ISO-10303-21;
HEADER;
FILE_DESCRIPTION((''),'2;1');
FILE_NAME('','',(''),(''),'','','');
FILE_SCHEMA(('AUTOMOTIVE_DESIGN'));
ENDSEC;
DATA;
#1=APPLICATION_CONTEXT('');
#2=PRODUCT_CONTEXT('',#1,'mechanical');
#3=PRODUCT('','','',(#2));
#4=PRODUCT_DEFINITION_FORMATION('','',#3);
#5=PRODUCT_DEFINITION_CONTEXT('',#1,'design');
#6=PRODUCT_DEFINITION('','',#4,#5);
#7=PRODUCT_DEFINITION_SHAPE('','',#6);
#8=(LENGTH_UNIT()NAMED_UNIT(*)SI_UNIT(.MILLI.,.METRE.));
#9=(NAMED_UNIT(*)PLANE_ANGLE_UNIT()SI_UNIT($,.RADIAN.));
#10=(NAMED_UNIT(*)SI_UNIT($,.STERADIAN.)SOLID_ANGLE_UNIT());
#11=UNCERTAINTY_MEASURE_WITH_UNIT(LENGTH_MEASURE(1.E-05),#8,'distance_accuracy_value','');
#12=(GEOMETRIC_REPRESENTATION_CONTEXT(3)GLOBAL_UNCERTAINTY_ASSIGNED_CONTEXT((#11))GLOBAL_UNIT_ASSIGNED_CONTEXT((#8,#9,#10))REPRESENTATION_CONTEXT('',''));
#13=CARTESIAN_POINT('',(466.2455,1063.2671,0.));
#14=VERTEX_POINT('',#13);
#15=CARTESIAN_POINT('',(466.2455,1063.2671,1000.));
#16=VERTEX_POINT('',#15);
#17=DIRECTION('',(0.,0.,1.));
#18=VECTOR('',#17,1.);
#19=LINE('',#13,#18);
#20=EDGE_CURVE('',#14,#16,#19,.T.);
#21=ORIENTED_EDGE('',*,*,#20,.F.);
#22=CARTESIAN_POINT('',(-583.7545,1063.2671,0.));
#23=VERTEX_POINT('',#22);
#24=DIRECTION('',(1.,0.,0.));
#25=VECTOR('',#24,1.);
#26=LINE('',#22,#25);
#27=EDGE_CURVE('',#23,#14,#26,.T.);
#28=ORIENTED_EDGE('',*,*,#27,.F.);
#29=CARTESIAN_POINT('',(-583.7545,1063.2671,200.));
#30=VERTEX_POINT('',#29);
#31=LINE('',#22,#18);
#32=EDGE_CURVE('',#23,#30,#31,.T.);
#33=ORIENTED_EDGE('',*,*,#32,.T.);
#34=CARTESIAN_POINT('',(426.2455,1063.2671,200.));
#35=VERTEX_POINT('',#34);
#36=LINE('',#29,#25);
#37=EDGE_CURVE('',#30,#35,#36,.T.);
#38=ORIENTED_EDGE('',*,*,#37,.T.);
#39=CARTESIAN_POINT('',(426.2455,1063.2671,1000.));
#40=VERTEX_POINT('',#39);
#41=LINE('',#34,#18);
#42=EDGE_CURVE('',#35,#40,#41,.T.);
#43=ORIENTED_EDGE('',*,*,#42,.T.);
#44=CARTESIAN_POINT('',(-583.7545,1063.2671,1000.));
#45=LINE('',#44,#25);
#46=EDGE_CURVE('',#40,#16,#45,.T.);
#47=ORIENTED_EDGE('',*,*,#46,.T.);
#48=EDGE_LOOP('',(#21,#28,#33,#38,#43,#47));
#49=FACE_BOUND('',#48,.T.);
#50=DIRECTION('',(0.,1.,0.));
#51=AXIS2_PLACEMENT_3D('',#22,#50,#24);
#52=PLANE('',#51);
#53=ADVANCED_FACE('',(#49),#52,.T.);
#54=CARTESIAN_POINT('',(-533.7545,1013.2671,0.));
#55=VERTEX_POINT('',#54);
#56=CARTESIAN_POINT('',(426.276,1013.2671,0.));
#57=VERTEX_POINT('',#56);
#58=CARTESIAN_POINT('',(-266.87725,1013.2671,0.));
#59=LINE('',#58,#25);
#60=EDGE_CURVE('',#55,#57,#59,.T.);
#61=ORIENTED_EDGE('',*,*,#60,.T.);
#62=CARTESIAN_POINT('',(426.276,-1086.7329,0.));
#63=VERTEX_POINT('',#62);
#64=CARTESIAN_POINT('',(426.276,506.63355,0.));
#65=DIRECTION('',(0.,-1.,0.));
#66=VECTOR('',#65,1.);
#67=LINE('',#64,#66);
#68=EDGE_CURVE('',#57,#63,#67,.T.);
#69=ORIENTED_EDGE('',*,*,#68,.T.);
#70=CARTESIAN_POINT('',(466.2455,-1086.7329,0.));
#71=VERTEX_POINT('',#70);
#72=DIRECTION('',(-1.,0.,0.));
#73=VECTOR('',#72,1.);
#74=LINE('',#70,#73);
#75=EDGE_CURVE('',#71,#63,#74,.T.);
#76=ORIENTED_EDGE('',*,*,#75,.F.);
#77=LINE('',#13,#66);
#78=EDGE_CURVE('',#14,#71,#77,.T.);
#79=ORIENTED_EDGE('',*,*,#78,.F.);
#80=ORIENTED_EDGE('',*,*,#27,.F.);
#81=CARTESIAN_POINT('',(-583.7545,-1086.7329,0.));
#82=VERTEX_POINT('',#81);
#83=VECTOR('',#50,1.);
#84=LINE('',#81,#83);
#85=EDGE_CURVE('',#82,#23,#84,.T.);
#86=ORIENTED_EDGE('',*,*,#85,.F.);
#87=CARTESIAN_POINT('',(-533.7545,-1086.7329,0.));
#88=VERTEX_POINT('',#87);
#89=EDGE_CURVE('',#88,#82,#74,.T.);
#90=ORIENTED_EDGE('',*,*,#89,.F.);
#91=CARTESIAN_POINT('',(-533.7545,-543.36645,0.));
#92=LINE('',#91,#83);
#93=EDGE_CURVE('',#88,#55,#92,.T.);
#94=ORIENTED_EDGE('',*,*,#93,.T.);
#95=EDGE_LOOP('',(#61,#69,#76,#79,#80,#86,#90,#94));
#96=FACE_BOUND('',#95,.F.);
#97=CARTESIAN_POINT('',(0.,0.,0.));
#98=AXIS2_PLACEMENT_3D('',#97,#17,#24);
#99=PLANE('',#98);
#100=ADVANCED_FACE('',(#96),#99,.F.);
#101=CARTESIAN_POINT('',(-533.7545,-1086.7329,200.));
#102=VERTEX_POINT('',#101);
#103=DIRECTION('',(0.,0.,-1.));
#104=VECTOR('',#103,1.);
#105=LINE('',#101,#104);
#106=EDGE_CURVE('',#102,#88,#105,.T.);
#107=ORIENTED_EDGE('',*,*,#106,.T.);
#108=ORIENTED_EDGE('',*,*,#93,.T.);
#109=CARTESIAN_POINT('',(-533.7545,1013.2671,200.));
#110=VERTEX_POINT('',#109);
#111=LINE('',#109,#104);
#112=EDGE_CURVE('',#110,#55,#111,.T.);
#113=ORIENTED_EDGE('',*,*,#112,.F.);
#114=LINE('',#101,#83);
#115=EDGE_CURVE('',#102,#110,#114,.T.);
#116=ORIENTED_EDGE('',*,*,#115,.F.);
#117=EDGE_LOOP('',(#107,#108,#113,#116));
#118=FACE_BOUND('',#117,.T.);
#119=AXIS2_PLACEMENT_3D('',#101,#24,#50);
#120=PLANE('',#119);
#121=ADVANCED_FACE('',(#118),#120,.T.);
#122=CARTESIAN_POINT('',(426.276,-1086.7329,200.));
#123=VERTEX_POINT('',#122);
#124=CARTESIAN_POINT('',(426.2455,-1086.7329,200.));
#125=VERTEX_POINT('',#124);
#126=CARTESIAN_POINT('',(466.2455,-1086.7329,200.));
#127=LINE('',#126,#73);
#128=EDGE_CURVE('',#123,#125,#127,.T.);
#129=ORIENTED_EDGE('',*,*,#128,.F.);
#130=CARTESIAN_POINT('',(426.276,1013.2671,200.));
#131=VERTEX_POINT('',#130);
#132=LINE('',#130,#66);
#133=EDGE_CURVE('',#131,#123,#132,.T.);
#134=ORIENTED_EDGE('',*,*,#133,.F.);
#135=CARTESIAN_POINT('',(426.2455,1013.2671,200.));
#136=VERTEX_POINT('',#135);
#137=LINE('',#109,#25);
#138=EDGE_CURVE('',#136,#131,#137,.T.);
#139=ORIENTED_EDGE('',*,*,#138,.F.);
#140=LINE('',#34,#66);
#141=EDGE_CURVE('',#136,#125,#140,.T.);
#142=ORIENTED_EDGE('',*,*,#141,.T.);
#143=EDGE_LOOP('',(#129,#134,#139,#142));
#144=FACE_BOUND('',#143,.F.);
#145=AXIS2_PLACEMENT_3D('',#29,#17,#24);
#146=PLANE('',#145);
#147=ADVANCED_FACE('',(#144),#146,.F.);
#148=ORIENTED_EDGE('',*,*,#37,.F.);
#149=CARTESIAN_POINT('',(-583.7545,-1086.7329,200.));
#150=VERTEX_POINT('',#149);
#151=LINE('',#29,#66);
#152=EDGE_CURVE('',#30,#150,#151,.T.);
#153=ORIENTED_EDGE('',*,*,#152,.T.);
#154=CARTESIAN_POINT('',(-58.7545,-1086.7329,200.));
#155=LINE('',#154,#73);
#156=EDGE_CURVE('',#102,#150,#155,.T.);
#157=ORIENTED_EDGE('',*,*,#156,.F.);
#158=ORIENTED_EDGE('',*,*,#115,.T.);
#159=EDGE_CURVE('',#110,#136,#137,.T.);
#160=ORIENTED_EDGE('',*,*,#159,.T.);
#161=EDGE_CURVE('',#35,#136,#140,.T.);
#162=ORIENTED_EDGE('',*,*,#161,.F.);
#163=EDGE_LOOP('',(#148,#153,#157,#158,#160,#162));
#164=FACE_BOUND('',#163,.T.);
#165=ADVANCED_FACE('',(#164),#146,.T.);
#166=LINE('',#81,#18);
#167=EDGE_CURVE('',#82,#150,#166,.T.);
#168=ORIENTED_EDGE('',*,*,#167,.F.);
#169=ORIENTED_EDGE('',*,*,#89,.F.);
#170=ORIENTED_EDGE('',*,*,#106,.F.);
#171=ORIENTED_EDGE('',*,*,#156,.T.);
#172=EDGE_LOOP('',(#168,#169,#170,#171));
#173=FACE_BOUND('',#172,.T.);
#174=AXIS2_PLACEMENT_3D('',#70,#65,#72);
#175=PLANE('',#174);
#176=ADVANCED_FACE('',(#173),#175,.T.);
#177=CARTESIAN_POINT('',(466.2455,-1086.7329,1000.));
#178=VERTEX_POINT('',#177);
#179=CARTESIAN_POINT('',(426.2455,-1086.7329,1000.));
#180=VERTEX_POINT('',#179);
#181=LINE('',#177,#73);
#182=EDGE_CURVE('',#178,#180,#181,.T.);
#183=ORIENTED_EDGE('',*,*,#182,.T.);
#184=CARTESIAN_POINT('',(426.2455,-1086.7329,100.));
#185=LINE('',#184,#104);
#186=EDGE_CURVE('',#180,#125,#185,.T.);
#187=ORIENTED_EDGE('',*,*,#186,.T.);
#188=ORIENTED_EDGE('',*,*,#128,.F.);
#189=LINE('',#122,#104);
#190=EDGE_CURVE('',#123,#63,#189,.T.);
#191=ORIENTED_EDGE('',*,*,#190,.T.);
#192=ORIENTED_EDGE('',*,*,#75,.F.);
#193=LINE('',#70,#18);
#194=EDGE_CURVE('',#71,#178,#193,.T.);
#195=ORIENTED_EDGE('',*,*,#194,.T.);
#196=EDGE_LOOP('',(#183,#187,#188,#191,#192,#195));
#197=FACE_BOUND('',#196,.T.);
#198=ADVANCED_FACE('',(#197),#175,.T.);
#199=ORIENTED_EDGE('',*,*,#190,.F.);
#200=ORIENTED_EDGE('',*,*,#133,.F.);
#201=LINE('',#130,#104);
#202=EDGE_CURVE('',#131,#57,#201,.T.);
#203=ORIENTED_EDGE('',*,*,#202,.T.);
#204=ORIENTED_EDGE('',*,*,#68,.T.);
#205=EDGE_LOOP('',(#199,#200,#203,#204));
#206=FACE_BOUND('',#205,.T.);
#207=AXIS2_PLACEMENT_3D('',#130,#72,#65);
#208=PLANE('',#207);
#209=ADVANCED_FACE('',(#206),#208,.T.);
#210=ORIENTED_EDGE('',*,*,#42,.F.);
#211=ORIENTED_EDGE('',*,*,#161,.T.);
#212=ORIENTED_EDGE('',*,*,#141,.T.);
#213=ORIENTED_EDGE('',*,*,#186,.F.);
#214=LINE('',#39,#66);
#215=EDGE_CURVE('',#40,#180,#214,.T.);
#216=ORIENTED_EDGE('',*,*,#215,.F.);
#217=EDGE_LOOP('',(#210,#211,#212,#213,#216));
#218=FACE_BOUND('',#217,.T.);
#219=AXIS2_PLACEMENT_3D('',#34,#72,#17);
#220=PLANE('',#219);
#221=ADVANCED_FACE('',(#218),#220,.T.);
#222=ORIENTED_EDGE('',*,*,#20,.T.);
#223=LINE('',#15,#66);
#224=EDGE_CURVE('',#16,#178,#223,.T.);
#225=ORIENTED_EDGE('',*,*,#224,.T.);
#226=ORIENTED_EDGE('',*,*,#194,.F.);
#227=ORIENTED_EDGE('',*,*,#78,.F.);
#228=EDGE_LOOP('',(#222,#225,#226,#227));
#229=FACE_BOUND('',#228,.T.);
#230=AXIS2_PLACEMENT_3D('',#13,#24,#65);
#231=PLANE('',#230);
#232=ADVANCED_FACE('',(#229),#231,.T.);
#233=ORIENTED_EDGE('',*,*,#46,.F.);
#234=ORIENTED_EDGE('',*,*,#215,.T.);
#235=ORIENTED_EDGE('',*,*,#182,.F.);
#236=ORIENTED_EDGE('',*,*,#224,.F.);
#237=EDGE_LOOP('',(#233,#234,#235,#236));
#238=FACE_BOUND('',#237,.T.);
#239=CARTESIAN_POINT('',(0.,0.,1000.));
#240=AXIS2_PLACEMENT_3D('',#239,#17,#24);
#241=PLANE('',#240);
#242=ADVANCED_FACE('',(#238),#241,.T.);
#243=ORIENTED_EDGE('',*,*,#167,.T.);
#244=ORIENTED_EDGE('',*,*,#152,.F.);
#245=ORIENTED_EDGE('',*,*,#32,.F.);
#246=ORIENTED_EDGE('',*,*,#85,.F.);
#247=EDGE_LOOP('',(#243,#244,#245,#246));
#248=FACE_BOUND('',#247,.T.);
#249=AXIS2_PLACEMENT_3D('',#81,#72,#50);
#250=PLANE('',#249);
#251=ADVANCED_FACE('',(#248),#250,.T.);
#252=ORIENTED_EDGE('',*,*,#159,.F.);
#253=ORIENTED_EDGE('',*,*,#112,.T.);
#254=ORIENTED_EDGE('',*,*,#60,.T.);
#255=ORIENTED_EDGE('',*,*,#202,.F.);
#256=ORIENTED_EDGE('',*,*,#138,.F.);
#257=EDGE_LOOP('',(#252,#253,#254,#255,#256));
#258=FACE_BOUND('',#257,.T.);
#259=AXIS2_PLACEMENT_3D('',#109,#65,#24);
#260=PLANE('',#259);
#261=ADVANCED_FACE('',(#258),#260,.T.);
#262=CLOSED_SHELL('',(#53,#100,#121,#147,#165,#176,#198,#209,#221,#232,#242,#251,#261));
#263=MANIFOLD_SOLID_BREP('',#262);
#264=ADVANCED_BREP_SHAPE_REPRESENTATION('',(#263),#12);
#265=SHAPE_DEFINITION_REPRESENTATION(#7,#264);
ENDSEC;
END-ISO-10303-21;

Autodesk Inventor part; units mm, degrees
ref_plane "YZ Plane" through (0, 0, 0) normal (1, 0, 0) x (0, 1, 0)
ref_plane "XZ Plane" through (0, 0, 0) normal (0, 1, 0) x (-1, 0, 0)
ref_plane "XY Plane" through (0, 0, 0) normal (0, 0, 1) x (1, 0, 0)
sketch "Esquisse1" plane through (0, 0, 0) normal (0, 0, 1) x (1, 0, 0)
  line L0 (-583.7545, 1063.2671) -> (466.2455, 1063.2671)
  line L1 (466.2455, 1063.2671) -> (466.2455, -1086.7329)
  line L2 (466.2455, -1086.7329) -> (-583.7545, -1086.7329)
  line L3 (-583.7545, -1086.7329) -> (-583.7545, 1063.2671)
  point P0 (0, 0)
  dimension "d0" = 1050
  dimension "d1" = 2150
extrude "Extrusion1" add sketch "Esquisse1" along normal blind 1000
sketch "Esquisse2" plane through (-583.7545, 1063.2671, 0) normal (0, 1, 0) x (1, 0, 0)
  line L0 (0, 0) -> (0, -1000) projected
  line L1 (1050, -1000) -> (0, -1000) projected
  line L2 (0, -200) -> (1010, -200)
  line L3 (1010, -200) -> (1010, -1000)
  line L4 (1010, -1000) -> (0, -1000)
  line L5 (0, -1000) -> (0, -200)
  line L6 (1050, 0) -> (1050, -1000) projected
  point P0 (583.7545, 0)
  dimension "d4" = 200
  dimension "d5" = 40
extrude "Extrusion2" cut sketch "Esquisse2" against normal through all
sketch "Esquisse3" plane through (-583.7545, 1063.2671, 200) normal (0, 0, 1) x (1, 0, 0)
  line L0 (1050, -2150) -> (0, -2150) projected
  line L1 (50, -50) -> (1010.0305, -50)
  line L2 (1010.0305, -50) -> (1010.0305, -2150)
  line L3 (1010.0305, -2150) -> (50, -2150)
  line L4 (50, -2150) -> (50, -50)
  line L5 (0, -2150) -> (0, 0) projected
  point P0 (583.7545, -1063.2671)
  dimension "d8" = 50
  dimension "d9" = 50
extrude "Extrusion3" cut sketch "Esquisse3" against normal through all
properties part number "Porte Simple" material "Bois (Chêne)"
